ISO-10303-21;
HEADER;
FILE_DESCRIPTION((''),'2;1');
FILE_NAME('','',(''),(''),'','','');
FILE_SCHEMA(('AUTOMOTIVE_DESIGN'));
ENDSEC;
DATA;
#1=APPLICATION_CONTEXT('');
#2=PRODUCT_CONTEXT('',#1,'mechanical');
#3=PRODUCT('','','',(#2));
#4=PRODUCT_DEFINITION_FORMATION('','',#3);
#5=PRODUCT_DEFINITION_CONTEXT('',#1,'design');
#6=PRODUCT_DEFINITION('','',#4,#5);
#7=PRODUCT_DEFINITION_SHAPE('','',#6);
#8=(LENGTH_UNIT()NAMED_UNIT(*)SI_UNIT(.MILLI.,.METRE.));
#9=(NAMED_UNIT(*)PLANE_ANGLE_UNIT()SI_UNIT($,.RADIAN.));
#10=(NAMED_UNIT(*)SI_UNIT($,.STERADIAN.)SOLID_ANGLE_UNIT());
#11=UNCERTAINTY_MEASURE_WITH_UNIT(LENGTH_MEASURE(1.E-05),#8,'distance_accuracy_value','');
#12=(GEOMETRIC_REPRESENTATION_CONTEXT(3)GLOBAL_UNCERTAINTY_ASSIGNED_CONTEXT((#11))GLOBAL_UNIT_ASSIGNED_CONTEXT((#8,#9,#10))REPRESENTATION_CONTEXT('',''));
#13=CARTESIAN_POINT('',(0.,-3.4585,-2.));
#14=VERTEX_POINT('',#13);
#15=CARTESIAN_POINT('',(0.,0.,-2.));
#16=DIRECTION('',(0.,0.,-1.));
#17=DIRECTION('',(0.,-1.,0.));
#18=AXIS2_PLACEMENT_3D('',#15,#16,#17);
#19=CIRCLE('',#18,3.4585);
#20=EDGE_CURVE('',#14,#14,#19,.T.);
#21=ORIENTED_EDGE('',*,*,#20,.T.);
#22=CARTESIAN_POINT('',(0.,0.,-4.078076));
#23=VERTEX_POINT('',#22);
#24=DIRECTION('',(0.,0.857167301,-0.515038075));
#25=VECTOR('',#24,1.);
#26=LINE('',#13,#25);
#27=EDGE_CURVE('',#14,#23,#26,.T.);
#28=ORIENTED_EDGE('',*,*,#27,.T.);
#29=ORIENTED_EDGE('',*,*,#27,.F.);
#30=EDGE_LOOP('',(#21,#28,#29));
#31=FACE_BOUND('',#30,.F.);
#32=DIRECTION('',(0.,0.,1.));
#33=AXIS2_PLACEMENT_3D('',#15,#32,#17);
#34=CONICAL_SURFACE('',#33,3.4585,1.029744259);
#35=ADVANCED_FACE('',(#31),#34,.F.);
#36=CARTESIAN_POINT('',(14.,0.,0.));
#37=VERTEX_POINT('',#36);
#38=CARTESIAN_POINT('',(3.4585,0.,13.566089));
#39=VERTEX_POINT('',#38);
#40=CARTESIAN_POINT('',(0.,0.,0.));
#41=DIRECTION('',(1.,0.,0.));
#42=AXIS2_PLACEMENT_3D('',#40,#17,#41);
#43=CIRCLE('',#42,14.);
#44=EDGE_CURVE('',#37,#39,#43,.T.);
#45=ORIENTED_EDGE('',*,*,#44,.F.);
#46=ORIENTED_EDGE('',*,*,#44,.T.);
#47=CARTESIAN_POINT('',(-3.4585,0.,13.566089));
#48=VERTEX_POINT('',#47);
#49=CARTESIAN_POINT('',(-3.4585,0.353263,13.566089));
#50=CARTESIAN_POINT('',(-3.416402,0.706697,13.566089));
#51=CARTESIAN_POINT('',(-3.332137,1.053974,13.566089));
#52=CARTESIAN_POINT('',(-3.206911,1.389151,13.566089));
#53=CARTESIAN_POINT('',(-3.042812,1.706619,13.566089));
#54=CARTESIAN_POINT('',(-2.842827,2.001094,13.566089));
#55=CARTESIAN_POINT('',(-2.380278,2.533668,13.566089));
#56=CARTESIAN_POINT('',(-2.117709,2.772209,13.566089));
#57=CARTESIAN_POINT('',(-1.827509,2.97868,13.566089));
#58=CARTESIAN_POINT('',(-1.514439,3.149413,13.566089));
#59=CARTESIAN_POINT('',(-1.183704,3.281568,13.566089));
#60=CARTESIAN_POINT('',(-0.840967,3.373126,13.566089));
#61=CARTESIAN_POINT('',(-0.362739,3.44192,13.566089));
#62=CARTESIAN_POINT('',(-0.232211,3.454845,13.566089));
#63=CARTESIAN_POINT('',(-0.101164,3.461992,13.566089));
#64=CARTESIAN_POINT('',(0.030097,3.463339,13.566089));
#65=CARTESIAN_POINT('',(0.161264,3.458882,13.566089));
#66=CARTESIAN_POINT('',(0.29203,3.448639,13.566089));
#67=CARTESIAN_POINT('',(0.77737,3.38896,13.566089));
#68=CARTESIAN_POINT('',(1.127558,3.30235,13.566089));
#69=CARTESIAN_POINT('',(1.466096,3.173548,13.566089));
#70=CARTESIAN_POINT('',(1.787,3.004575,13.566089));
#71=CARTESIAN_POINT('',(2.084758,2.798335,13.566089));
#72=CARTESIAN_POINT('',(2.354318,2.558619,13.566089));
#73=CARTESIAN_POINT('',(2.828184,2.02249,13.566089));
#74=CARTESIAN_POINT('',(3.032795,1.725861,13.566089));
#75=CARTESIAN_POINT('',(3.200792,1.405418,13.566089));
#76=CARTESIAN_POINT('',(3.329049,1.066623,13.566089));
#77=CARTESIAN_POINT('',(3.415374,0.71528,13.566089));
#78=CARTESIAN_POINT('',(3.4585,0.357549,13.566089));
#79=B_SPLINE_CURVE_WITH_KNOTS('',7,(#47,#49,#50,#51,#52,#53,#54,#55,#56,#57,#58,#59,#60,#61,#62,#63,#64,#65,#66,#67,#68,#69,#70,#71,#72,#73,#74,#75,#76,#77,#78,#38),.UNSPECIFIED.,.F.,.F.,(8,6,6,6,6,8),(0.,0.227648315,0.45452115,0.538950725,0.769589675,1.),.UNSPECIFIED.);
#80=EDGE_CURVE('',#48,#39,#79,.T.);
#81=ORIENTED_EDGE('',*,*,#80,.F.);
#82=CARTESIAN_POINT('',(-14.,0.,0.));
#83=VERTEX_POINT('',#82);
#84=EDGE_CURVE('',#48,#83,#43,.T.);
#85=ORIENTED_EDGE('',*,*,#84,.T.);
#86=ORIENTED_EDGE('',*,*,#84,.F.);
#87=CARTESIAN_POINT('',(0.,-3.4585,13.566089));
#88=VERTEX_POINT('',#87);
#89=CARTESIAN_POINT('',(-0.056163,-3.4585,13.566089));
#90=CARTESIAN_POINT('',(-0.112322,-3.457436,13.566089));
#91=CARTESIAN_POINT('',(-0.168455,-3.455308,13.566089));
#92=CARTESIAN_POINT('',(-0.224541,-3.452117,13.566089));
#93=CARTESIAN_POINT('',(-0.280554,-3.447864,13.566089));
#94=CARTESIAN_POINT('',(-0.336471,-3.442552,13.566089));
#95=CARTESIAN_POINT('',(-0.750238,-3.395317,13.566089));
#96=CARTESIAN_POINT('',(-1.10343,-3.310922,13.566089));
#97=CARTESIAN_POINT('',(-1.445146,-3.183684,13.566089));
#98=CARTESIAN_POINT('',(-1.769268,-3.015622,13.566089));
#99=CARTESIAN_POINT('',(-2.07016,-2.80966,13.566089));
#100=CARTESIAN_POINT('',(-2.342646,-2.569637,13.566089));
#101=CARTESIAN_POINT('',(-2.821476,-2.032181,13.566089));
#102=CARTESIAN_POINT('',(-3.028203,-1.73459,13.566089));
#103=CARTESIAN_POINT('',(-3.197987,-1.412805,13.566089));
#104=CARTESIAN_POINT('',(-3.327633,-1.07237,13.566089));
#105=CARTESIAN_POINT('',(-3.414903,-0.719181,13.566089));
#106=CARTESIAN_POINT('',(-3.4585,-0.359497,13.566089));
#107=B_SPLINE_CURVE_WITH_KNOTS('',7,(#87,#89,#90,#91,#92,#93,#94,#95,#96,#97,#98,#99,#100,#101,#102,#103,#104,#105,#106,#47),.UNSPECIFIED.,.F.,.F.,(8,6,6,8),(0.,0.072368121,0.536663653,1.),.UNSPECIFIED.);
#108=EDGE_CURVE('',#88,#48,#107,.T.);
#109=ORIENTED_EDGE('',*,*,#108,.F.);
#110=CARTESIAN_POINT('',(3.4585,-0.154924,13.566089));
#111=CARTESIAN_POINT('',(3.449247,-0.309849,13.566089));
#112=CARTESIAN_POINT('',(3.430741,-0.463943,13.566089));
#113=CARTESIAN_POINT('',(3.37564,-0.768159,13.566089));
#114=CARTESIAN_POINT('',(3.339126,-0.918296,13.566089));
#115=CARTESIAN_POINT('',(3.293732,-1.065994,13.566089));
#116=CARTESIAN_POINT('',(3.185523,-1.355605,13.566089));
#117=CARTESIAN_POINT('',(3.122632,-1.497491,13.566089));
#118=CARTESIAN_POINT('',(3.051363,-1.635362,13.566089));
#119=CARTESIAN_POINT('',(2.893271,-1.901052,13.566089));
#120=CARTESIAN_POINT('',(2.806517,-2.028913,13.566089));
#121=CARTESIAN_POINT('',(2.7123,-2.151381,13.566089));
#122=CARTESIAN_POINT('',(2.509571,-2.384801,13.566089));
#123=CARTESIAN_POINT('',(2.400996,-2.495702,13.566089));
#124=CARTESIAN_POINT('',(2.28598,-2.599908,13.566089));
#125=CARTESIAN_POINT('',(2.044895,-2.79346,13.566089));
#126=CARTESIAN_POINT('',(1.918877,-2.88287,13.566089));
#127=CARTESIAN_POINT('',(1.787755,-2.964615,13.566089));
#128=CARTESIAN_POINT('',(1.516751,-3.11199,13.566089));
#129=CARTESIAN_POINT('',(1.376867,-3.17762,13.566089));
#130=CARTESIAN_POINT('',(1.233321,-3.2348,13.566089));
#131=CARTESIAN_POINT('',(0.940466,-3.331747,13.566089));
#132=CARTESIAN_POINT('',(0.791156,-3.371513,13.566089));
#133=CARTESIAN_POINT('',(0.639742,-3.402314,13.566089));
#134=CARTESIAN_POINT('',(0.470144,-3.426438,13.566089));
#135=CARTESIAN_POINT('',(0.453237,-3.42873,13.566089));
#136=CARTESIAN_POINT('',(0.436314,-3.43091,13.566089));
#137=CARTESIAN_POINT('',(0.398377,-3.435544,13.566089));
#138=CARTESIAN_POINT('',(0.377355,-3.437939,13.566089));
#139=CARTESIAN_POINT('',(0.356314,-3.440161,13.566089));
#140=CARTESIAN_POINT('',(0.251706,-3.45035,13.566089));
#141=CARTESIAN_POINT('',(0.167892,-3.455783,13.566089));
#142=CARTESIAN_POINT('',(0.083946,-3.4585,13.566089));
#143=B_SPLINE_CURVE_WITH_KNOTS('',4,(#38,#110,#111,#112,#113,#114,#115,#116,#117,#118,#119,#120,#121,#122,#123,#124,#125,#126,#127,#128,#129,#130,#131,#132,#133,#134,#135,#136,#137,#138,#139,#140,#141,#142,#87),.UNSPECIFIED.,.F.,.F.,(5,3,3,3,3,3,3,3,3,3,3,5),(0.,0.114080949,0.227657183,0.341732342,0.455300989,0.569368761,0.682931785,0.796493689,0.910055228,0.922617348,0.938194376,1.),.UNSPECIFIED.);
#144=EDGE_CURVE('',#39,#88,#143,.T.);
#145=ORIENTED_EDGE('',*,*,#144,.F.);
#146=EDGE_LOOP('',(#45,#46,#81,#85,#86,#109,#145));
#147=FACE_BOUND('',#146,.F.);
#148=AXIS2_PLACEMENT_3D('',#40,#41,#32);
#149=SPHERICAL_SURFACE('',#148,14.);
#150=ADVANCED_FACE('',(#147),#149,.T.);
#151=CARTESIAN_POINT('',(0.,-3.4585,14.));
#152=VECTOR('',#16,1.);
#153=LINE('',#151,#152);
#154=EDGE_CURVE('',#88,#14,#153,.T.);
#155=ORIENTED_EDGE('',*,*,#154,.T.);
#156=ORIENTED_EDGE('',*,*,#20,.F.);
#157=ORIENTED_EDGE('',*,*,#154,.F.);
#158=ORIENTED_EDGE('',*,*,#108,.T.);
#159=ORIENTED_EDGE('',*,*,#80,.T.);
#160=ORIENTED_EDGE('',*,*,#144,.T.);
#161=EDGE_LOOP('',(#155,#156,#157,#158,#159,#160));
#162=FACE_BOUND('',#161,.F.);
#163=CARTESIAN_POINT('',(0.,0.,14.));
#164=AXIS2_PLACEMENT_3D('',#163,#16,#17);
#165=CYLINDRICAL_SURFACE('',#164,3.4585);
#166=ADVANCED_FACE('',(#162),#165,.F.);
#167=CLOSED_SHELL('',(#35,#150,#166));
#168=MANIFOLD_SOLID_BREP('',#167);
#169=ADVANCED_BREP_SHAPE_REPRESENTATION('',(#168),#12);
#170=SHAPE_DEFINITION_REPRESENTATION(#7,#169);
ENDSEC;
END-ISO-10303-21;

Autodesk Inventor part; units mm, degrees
ref_plane "YZ Plane" through (0, 0, 0) normal (1, 0, 0) x (0, 1, 0)
ref_plane "XZ Plane" through (0, 0, 0) normal (0, 1, 0) x (-1, 0, 0)
sketch "Sketch2" plane through (0, 0, 0) normal (0, 1, 0) x (-1, 0, 0)
  line L0 (-22.4, 0) -> (16.8, 0) projected
  line L1 (0, -1.4) -> (0, 18.2) projected
  arc A0 (14, 0) -> (-14, 0) centre (0, 0) ccw
  dimension "d0" = 14
revolve "Revolution1" add sketch "Sketch2" angle 360 about axis through (0, 0, 0) along (-1, 0, 0)
ref_plane "Work Plane2" through (0, 0, 14) normal (0, 0, 1) x (1, 0, 0)
sketch "Sketch3" plane through (0, 0, 14) normal (0, 0, 1) x (1, 0, 0)
  point P0 (0, 0)
hole "Hole1" at (0, 0, 14) direction (0, 0, -1) diameter 6.917 depth 16 tip angle 118
properties part number "Ball Lever"
